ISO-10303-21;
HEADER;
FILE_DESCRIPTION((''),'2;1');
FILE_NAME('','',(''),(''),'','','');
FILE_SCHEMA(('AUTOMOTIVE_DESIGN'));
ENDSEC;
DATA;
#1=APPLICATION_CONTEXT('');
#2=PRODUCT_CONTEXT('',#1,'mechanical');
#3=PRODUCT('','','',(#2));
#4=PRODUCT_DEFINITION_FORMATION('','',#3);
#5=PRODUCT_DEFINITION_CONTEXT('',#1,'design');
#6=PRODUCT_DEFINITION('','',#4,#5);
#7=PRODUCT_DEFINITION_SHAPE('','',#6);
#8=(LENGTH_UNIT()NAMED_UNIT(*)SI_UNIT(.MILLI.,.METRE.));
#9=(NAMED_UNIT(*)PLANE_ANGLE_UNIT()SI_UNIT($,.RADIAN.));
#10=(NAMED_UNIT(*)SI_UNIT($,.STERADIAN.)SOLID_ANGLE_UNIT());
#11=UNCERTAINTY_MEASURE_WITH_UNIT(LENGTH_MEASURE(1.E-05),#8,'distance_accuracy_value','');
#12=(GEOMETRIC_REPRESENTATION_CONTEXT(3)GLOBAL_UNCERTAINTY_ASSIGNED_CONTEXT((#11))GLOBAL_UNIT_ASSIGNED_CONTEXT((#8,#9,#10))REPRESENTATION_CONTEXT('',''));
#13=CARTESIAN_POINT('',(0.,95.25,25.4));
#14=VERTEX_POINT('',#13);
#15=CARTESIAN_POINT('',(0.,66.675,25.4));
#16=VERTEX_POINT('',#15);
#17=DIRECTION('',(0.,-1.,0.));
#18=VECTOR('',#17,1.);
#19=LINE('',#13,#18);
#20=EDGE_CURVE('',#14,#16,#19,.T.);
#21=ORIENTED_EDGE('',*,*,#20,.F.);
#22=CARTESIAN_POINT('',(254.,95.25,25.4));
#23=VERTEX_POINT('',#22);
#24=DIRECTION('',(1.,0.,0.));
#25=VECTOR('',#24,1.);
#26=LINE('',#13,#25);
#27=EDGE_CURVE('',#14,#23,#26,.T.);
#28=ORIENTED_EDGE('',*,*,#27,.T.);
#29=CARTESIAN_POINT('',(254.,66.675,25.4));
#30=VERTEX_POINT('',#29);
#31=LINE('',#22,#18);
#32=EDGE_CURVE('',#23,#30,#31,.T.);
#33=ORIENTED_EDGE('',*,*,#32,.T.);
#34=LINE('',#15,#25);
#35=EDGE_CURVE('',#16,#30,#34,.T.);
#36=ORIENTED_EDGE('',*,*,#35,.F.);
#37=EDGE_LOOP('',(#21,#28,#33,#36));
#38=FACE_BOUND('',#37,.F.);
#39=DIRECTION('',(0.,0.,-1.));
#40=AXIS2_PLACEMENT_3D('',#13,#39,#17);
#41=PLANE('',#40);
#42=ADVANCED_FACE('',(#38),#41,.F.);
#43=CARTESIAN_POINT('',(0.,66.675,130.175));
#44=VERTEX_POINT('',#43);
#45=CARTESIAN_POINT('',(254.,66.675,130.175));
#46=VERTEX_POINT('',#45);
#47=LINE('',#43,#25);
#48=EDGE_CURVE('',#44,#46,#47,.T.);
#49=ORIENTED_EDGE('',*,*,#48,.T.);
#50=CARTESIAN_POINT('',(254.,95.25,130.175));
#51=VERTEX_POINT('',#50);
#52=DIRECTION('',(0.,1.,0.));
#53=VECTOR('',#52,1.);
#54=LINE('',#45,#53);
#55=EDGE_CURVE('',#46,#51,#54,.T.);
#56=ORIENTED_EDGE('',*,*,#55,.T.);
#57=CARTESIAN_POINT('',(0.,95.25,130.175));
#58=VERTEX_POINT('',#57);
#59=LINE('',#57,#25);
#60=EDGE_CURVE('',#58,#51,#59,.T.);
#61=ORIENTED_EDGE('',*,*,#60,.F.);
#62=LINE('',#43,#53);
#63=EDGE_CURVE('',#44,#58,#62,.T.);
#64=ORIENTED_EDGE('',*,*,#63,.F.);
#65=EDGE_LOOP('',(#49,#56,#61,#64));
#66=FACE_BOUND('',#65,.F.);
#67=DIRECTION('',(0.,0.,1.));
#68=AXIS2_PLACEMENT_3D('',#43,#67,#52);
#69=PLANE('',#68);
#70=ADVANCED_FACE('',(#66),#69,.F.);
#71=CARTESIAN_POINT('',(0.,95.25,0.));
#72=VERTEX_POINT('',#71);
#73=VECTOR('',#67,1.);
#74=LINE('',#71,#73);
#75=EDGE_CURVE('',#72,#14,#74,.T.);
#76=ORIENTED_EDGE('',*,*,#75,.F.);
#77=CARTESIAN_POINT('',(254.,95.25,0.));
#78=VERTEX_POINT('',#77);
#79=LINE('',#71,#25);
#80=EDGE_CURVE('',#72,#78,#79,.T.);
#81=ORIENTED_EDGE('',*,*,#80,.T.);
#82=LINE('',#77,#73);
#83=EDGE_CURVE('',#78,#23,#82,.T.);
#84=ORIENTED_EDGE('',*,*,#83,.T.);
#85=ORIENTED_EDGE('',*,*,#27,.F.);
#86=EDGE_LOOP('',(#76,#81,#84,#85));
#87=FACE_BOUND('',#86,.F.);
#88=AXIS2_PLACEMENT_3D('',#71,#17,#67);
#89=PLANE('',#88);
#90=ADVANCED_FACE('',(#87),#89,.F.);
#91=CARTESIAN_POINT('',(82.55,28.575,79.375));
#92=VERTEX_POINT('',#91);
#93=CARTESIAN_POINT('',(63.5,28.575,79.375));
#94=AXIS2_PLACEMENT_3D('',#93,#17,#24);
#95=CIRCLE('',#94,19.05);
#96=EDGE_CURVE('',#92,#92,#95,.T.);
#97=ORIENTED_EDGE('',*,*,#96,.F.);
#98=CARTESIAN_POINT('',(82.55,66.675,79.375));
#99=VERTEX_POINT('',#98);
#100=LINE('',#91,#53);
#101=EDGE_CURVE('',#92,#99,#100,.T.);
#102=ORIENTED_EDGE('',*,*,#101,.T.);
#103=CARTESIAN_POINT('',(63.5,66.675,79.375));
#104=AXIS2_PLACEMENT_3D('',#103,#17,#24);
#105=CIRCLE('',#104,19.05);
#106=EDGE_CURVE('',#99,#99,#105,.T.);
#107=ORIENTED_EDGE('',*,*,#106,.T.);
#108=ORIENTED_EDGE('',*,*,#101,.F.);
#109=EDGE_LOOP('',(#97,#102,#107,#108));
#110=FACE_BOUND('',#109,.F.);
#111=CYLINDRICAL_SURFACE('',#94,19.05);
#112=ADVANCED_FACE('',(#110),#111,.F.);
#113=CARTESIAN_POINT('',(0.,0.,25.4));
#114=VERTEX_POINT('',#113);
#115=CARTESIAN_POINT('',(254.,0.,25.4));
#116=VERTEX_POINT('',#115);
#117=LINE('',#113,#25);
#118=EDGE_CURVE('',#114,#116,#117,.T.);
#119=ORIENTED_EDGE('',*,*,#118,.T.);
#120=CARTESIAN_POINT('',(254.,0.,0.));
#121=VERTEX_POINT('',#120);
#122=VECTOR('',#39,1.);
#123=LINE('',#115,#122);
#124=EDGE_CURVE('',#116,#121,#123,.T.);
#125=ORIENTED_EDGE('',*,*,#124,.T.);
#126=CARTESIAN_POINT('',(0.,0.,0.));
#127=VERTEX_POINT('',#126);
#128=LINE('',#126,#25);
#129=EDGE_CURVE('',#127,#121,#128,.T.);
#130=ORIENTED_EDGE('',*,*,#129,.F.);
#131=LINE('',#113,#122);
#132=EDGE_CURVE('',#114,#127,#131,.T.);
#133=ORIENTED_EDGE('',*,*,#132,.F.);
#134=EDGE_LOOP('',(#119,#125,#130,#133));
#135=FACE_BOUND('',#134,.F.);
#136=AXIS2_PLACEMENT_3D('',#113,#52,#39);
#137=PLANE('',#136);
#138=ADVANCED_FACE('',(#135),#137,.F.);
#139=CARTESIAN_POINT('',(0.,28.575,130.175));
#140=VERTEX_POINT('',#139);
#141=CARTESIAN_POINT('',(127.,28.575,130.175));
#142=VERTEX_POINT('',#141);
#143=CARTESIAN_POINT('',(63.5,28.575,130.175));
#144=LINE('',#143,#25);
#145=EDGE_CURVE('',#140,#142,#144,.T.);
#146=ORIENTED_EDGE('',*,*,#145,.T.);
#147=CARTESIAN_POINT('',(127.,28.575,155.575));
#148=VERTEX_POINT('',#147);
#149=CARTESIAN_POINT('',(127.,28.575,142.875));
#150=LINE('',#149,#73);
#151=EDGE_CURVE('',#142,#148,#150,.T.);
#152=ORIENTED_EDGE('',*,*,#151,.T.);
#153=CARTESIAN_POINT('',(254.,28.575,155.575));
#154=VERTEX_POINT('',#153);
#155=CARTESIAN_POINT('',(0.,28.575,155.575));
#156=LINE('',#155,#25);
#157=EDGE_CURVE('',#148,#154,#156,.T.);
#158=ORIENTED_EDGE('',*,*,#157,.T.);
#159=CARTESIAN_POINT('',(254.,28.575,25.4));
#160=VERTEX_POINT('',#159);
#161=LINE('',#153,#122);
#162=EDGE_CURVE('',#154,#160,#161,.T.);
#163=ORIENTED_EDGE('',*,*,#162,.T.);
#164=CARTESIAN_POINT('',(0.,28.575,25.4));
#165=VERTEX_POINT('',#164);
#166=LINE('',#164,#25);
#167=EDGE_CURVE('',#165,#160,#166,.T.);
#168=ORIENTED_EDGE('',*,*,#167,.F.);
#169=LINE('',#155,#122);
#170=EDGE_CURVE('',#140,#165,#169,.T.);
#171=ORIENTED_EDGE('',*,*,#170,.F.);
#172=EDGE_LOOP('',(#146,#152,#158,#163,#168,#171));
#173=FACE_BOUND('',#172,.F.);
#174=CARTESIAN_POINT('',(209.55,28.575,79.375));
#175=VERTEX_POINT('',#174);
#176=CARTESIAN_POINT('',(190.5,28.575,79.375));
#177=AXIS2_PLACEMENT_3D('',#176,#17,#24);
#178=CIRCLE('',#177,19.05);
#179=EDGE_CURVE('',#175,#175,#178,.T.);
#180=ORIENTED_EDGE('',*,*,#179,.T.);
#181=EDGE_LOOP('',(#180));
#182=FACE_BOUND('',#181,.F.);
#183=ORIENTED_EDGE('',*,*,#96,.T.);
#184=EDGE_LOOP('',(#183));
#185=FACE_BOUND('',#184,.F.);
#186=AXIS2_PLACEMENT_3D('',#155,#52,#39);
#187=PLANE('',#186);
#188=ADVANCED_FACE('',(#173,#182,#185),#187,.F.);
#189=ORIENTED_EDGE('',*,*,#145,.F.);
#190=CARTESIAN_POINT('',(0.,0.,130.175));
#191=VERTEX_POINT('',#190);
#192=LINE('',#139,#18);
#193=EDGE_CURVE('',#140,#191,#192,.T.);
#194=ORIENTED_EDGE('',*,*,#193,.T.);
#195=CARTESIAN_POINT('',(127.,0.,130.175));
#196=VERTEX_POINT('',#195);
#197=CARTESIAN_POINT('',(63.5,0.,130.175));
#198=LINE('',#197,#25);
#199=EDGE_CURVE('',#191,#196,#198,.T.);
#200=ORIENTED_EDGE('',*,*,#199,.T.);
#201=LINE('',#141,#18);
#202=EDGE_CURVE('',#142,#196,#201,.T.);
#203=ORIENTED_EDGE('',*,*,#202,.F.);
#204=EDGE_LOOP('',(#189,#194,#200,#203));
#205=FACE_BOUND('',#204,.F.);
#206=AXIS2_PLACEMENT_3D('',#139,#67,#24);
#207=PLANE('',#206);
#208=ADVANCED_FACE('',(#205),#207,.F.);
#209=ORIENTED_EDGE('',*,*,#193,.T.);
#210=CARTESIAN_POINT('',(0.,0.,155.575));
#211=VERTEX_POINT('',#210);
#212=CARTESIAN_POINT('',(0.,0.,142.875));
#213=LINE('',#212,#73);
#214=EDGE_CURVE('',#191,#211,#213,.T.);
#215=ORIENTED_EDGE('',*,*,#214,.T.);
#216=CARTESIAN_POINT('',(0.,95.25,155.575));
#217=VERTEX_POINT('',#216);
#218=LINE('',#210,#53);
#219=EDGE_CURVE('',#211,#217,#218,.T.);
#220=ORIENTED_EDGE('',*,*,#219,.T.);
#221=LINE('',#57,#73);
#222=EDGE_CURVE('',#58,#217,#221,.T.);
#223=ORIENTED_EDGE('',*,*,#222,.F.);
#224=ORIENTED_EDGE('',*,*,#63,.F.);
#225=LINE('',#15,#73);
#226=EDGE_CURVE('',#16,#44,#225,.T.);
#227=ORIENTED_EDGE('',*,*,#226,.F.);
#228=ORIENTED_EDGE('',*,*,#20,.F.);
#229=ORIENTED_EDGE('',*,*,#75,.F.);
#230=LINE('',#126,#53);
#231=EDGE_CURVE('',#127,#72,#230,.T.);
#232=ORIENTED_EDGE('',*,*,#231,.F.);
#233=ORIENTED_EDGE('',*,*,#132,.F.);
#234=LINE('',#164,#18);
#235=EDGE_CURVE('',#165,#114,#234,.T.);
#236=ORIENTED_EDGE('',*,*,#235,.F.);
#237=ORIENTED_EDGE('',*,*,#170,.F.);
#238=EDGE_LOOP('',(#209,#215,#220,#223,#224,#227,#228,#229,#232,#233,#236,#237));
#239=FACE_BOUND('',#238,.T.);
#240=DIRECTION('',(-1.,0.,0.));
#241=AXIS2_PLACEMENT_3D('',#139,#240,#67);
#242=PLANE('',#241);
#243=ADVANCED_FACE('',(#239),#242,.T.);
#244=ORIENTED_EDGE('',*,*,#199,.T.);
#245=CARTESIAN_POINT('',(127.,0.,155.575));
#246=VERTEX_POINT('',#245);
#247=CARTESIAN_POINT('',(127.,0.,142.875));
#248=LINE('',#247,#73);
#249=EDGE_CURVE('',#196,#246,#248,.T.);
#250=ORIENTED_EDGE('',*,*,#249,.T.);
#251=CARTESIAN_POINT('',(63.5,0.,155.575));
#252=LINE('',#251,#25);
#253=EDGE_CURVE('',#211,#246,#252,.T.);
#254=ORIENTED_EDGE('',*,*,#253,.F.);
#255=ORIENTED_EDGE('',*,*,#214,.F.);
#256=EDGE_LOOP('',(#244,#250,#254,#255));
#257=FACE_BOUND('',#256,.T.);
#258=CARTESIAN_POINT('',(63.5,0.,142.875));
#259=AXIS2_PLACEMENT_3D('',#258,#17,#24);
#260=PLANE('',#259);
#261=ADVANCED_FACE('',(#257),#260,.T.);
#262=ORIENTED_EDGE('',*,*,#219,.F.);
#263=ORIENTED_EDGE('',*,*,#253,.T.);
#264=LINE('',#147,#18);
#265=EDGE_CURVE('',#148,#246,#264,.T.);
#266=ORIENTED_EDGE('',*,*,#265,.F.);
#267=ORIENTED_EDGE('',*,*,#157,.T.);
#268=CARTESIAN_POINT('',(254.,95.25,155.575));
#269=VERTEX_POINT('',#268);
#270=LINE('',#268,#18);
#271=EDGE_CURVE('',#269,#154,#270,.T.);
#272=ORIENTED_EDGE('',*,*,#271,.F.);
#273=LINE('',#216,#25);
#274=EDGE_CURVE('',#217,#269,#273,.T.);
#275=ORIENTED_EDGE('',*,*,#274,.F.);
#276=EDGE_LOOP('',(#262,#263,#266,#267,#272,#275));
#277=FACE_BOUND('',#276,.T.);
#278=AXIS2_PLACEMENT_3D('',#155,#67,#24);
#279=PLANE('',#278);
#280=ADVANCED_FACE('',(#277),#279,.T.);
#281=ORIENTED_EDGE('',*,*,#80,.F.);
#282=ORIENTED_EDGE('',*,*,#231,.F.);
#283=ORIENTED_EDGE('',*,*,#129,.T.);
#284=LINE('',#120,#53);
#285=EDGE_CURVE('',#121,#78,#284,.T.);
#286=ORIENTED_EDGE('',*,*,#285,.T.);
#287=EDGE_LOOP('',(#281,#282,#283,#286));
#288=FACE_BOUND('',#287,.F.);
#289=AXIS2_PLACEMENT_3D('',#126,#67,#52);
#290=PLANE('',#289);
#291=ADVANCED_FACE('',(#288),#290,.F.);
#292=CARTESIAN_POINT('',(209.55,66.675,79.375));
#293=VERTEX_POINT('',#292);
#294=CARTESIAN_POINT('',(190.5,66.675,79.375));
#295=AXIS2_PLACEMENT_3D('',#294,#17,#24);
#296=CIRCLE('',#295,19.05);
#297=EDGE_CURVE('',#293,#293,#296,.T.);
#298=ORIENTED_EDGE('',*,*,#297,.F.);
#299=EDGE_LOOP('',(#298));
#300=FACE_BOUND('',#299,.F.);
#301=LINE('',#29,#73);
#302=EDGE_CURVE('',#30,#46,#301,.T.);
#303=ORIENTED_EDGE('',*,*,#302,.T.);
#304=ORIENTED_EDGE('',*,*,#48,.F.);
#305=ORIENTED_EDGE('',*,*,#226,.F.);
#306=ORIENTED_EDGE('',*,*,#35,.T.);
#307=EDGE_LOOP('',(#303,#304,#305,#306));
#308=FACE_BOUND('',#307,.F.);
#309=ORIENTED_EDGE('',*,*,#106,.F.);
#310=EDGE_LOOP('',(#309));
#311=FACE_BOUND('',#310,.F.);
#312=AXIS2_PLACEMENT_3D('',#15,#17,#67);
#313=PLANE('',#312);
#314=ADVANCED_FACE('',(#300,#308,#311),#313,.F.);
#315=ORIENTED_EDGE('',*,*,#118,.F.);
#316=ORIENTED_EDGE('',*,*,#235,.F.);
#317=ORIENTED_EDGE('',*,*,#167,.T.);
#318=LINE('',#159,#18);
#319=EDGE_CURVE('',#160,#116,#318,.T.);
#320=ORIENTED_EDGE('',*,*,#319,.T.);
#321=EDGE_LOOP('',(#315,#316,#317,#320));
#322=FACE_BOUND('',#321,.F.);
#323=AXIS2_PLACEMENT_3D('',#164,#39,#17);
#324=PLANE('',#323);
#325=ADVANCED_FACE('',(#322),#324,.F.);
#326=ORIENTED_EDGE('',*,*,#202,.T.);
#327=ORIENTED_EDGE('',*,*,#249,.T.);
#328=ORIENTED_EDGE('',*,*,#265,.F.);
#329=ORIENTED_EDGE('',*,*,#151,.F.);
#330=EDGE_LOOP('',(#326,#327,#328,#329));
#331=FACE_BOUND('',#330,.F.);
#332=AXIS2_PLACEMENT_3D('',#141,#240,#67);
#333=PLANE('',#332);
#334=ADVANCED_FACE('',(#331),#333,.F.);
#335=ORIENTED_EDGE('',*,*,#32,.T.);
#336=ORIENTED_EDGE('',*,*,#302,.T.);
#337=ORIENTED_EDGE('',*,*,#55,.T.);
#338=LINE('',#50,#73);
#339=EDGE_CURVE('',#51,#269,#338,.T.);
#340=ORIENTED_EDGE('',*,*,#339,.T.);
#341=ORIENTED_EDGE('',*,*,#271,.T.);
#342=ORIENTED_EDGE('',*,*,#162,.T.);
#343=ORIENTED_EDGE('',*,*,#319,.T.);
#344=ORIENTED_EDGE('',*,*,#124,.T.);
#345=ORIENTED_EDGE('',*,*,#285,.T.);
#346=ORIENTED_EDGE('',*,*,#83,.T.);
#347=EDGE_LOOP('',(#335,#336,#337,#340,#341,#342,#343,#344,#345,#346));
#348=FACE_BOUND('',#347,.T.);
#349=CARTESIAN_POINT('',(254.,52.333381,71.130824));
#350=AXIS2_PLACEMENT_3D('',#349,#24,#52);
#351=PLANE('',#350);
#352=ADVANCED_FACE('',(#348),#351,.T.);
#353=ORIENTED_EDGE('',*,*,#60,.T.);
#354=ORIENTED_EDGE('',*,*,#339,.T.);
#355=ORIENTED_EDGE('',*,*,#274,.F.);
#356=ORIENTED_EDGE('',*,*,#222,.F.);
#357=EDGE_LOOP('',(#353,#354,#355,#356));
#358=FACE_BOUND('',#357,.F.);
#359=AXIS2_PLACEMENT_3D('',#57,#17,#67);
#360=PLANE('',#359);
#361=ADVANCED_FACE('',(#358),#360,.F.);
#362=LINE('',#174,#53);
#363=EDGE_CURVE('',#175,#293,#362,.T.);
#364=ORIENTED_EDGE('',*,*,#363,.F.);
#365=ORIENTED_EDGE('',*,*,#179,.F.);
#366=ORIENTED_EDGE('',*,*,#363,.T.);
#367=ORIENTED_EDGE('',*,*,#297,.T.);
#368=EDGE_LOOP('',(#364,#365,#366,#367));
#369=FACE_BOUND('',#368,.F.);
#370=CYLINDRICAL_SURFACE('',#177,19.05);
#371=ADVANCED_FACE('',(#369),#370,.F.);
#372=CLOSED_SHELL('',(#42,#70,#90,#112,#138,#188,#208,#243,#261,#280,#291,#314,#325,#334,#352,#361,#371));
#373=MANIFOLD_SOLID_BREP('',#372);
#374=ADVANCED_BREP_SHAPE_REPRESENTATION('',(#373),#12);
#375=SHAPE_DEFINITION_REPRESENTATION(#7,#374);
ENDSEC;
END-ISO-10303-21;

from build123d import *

# Parameters (mm, degrees)
F1_DEPTH = 254
F2_R     = 19.05
F3_DEPTH = 101.346
F2_W     = 127
F2_H     = 25.4
F4_DEPTH = 28.575


with BuildPart() as f1:
    # F0 (on Right) → F1 (new body)
    with BuildSketch(Plane.YZ):
        Polygon((0, 25.4), (0, 0), (95.25, 0), (95.25, 25.4), (66.675, 25.4), (66.675, 130.175), (95.25, 130.175), (95.25, 155.575), (28.575, 155.575), (28.575, 25.4), align=None)
    extrude(amount=F1_DEPTH)

    # F2 (on face) → F3 (cut)
    with BuildSketch(Plane.XZ.offset(-28.575)):
        with Locations((63.5, 79.375)):
            Circle(F2_R)
        with Locations((190.5, 79.375)):
            Circle(F2_R)
    extrude(amount=-F3_DEPTH, mode=Mode.SUBTRACT)

    # F2 (on face) → F4 (join, through all)
    with BuildSketch(Plane.XZ.offset(-28.575)):
        with Locations((63.5, 142.875)):
            Rectangle(F2_W, F2_H)
    extrude(amount=F4_DEPTH)


solid = f1.part
